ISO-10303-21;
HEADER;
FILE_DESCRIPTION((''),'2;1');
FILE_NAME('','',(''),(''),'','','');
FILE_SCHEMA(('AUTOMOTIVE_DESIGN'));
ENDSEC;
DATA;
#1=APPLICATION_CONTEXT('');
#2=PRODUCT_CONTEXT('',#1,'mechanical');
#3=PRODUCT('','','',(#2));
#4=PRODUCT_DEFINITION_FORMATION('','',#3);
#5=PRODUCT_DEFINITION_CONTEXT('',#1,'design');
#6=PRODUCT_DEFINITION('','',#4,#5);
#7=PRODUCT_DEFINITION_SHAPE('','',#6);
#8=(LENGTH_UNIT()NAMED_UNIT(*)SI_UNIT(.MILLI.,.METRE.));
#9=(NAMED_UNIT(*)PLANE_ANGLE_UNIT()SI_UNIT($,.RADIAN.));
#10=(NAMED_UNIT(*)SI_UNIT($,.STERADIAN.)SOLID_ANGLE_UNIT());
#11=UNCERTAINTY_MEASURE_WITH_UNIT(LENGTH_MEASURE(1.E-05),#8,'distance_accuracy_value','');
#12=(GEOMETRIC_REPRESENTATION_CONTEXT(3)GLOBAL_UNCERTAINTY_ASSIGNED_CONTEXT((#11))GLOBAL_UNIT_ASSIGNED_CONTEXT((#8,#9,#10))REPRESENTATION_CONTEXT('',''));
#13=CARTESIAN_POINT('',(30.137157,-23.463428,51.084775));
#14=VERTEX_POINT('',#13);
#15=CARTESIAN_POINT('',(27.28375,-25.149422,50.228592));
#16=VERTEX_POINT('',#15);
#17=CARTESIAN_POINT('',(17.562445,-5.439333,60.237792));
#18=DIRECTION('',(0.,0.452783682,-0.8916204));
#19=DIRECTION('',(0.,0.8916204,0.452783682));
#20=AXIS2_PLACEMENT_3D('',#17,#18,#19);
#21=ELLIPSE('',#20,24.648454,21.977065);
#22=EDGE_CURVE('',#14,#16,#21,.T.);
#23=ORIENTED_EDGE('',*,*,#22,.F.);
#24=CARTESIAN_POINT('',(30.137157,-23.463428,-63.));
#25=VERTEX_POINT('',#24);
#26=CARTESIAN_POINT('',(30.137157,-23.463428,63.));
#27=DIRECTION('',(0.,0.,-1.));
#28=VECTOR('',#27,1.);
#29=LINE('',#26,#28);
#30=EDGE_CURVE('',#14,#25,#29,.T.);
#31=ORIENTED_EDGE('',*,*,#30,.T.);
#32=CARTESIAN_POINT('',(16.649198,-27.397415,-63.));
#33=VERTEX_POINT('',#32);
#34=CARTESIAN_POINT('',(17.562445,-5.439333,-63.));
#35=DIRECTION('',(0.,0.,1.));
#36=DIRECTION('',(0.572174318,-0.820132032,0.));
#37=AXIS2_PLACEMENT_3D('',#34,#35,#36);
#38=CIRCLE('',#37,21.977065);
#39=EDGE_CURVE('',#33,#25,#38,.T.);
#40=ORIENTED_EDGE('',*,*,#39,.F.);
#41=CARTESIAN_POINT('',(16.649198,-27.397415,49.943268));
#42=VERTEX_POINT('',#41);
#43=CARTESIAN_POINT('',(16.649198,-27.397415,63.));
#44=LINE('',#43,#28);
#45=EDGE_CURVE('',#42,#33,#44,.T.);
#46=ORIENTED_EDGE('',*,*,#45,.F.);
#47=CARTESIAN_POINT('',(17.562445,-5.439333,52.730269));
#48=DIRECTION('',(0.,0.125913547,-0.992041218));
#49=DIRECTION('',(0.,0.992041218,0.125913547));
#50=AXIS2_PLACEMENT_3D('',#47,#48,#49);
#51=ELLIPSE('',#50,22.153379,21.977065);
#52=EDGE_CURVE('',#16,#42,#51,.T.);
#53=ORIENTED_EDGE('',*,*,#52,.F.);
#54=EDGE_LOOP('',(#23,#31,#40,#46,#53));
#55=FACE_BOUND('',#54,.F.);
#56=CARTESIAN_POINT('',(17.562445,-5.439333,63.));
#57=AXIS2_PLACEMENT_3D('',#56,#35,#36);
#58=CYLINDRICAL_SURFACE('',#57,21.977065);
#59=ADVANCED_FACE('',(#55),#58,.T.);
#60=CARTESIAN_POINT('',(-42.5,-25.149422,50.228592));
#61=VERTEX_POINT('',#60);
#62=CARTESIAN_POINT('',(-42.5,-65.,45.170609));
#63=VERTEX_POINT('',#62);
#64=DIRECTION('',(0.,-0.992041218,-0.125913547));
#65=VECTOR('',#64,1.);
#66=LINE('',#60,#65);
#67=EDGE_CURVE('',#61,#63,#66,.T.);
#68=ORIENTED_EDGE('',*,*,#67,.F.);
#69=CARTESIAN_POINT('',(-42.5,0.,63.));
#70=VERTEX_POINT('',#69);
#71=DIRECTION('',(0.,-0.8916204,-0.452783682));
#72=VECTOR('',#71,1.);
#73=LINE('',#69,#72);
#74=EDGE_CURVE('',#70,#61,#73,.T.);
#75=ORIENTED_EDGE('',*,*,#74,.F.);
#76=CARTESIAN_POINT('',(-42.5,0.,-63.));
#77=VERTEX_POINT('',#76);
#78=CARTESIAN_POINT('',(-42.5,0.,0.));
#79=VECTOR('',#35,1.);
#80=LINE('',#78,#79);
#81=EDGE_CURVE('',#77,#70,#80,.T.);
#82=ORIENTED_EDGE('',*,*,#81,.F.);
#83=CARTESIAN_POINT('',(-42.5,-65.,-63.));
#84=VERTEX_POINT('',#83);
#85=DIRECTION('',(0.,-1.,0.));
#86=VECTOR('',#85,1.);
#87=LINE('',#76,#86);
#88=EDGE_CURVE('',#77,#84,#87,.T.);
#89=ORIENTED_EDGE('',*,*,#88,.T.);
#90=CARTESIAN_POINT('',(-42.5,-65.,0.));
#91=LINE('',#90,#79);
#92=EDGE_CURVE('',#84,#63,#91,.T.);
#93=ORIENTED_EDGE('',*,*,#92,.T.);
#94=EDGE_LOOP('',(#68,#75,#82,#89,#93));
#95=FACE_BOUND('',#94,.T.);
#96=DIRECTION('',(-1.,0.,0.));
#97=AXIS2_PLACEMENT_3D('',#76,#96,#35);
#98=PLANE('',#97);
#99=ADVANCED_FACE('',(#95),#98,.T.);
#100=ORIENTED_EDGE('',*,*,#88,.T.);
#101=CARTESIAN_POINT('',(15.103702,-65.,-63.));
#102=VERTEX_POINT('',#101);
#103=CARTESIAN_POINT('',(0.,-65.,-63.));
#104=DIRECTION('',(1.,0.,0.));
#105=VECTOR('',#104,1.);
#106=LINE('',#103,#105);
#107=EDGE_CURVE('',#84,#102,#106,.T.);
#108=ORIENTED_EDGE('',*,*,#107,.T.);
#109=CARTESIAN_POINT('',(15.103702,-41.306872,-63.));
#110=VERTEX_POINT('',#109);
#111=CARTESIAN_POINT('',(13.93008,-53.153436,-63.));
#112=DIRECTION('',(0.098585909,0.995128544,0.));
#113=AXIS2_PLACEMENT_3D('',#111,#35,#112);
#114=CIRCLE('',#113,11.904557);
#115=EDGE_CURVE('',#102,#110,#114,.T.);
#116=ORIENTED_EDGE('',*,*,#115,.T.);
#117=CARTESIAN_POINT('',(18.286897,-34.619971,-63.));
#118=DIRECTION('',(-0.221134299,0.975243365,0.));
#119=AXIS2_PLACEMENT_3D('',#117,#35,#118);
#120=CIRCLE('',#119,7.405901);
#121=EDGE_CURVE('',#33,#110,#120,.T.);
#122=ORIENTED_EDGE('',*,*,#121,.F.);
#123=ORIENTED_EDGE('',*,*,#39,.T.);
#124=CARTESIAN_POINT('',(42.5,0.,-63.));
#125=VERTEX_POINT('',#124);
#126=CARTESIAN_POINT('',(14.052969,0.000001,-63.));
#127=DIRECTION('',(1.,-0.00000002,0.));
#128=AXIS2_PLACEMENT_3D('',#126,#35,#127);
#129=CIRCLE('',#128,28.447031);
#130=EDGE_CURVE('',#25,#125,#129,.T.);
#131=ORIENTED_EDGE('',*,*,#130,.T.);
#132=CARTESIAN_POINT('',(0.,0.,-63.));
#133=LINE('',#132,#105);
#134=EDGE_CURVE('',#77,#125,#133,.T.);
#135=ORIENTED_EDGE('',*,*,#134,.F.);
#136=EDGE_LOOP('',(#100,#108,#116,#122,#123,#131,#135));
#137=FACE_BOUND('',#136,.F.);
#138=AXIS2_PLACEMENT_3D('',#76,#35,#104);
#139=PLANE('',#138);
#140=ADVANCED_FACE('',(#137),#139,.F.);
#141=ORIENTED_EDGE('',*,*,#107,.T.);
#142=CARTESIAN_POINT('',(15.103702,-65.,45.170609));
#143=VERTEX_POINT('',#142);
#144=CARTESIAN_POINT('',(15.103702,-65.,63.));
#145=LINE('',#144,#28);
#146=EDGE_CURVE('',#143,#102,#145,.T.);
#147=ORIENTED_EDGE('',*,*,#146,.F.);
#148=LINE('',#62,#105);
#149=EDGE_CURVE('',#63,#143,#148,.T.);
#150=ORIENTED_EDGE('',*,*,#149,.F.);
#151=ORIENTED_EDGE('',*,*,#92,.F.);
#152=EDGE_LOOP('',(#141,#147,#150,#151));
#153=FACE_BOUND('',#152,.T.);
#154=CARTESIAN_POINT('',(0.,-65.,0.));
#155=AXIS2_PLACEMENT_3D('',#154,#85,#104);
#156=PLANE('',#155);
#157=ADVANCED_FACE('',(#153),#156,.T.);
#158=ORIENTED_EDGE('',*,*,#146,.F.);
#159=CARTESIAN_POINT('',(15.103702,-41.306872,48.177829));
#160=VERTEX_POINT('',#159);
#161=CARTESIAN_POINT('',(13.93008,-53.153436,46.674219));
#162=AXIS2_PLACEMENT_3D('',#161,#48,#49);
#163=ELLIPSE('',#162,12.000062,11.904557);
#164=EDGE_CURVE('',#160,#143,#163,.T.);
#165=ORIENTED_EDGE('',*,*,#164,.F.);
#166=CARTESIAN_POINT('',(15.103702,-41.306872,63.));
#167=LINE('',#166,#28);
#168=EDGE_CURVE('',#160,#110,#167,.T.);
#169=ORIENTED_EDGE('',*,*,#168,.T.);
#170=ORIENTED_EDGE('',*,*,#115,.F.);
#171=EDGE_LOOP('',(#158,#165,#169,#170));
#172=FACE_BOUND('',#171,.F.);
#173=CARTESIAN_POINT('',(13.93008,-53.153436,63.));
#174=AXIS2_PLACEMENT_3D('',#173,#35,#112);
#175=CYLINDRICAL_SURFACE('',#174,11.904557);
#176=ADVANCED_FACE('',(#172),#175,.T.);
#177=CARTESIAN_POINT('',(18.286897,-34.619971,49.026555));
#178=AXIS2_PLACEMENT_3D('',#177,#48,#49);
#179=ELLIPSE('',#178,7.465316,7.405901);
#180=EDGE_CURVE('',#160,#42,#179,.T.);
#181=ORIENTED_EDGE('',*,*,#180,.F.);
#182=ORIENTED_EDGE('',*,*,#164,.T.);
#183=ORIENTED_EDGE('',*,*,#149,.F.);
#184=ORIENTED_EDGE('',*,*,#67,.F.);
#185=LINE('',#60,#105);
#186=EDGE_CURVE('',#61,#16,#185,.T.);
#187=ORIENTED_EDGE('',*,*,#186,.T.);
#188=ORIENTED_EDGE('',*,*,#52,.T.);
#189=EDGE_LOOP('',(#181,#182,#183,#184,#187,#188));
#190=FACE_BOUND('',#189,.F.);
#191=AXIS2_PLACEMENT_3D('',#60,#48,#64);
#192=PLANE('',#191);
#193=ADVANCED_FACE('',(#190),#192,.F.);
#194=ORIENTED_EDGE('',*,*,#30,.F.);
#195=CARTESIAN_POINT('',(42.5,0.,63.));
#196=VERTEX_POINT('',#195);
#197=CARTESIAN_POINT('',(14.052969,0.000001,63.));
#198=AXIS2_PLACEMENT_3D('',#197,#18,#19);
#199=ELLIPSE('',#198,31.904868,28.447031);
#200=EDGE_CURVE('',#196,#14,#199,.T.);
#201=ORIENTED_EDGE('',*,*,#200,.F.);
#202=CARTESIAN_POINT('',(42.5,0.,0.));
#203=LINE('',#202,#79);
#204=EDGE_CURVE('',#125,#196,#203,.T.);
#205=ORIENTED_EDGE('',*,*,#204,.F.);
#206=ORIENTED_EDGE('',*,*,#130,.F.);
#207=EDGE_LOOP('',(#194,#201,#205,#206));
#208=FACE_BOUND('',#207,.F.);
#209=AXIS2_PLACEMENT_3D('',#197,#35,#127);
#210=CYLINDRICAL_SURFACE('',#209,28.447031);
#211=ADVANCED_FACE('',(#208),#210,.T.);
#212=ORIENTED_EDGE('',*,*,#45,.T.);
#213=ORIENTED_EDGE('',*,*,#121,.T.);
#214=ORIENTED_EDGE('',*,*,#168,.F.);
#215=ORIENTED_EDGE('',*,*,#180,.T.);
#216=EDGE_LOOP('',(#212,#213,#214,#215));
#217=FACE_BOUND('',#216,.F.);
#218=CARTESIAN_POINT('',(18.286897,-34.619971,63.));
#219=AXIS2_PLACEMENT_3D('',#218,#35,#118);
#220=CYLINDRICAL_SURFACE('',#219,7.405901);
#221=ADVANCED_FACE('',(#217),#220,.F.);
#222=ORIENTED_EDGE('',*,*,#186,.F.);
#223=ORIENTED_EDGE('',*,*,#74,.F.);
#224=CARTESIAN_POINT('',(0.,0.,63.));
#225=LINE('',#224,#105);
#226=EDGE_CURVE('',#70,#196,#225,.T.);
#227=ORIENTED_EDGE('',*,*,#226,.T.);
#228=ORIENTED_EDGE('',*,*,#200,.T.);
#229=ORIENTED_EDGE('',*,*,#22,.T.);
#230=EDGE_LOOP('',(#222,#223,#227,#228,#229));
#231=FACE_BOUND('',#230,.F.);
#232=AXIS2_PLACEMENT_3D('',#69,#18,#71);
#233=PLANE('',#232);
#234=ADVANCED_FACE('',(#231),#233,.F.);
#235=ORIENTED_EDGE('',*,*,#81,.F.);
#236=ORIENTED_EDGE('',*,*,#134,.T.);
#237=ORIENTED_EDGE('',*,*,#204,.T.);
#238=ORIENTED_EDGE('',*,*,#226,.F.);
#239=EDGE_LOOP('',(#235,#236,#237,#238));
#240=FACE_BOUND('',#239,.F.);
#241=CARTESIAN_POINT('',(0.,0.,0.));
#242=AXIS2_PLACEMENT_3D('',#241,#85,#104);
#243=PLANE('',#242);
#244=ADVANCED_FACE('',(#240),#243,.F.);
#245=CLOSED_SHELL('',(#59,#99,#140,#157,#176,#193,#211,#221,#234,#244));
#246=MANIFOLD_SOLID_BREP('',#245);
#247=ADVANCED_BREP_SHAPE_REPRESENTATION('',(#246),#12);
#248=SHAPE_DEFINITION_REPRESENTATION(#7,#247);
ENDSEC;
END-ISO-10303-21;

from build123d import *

# Parameters (mm, degrees)
F0_W     = 85
F0_H     = 126
F1_DEPTH = 65
F3_DEPTH = 200
F5_DEPTH = 100


with BuildPart() as f1:
    # F0 (on Front) → F1 (new body)
    with BuildSketch(Plane.XZ):
        Rectangle(F0_W, F0_H)
    extrude(amount=F1_DEPTH)

    # F2 (on face) → F3 (cut)
    with BuildSketch(Plane.XY.offset(63)):
        with BuildLine():
            ThreePointArc((42.5, 0), (39.220219, -13.260584), (30.137157, -23.463428))
            ThreePointArc((30.137157, -23.463428), (23.716021, -26.537316), (16.649198, -27.397415))
            ThreePointArc((16.649198, -27.397415), (10.926292, -33.802126), (15.103702, -41.306872))
            ThreePointArc((15.103702, -41.306872), (25.834637, -53.153436), (15.103702, -65))
            Line((15.103702, -65), (42.5, -65))
            Line((42.5, -65), (42.5, 0))
        make_face()
    extrude(amount=-F3_DEPTH, mode=Mode.SUBTRACT)

    # F4 (on face) → F5 (cut)
    with BuildSketch(Plane(origin=(-42.5, 0, 0), x_dir=(0, -1, 0), z_dir=(-1, 0, 0))):
        Polygon((65, 63), (0, 63), (25.149422, 50.228592), (65, 45.170609), align=None)
    extrude(amount=-F5_DEPTH, mode=Mode.SUBTRACT)


solid = f1.part
